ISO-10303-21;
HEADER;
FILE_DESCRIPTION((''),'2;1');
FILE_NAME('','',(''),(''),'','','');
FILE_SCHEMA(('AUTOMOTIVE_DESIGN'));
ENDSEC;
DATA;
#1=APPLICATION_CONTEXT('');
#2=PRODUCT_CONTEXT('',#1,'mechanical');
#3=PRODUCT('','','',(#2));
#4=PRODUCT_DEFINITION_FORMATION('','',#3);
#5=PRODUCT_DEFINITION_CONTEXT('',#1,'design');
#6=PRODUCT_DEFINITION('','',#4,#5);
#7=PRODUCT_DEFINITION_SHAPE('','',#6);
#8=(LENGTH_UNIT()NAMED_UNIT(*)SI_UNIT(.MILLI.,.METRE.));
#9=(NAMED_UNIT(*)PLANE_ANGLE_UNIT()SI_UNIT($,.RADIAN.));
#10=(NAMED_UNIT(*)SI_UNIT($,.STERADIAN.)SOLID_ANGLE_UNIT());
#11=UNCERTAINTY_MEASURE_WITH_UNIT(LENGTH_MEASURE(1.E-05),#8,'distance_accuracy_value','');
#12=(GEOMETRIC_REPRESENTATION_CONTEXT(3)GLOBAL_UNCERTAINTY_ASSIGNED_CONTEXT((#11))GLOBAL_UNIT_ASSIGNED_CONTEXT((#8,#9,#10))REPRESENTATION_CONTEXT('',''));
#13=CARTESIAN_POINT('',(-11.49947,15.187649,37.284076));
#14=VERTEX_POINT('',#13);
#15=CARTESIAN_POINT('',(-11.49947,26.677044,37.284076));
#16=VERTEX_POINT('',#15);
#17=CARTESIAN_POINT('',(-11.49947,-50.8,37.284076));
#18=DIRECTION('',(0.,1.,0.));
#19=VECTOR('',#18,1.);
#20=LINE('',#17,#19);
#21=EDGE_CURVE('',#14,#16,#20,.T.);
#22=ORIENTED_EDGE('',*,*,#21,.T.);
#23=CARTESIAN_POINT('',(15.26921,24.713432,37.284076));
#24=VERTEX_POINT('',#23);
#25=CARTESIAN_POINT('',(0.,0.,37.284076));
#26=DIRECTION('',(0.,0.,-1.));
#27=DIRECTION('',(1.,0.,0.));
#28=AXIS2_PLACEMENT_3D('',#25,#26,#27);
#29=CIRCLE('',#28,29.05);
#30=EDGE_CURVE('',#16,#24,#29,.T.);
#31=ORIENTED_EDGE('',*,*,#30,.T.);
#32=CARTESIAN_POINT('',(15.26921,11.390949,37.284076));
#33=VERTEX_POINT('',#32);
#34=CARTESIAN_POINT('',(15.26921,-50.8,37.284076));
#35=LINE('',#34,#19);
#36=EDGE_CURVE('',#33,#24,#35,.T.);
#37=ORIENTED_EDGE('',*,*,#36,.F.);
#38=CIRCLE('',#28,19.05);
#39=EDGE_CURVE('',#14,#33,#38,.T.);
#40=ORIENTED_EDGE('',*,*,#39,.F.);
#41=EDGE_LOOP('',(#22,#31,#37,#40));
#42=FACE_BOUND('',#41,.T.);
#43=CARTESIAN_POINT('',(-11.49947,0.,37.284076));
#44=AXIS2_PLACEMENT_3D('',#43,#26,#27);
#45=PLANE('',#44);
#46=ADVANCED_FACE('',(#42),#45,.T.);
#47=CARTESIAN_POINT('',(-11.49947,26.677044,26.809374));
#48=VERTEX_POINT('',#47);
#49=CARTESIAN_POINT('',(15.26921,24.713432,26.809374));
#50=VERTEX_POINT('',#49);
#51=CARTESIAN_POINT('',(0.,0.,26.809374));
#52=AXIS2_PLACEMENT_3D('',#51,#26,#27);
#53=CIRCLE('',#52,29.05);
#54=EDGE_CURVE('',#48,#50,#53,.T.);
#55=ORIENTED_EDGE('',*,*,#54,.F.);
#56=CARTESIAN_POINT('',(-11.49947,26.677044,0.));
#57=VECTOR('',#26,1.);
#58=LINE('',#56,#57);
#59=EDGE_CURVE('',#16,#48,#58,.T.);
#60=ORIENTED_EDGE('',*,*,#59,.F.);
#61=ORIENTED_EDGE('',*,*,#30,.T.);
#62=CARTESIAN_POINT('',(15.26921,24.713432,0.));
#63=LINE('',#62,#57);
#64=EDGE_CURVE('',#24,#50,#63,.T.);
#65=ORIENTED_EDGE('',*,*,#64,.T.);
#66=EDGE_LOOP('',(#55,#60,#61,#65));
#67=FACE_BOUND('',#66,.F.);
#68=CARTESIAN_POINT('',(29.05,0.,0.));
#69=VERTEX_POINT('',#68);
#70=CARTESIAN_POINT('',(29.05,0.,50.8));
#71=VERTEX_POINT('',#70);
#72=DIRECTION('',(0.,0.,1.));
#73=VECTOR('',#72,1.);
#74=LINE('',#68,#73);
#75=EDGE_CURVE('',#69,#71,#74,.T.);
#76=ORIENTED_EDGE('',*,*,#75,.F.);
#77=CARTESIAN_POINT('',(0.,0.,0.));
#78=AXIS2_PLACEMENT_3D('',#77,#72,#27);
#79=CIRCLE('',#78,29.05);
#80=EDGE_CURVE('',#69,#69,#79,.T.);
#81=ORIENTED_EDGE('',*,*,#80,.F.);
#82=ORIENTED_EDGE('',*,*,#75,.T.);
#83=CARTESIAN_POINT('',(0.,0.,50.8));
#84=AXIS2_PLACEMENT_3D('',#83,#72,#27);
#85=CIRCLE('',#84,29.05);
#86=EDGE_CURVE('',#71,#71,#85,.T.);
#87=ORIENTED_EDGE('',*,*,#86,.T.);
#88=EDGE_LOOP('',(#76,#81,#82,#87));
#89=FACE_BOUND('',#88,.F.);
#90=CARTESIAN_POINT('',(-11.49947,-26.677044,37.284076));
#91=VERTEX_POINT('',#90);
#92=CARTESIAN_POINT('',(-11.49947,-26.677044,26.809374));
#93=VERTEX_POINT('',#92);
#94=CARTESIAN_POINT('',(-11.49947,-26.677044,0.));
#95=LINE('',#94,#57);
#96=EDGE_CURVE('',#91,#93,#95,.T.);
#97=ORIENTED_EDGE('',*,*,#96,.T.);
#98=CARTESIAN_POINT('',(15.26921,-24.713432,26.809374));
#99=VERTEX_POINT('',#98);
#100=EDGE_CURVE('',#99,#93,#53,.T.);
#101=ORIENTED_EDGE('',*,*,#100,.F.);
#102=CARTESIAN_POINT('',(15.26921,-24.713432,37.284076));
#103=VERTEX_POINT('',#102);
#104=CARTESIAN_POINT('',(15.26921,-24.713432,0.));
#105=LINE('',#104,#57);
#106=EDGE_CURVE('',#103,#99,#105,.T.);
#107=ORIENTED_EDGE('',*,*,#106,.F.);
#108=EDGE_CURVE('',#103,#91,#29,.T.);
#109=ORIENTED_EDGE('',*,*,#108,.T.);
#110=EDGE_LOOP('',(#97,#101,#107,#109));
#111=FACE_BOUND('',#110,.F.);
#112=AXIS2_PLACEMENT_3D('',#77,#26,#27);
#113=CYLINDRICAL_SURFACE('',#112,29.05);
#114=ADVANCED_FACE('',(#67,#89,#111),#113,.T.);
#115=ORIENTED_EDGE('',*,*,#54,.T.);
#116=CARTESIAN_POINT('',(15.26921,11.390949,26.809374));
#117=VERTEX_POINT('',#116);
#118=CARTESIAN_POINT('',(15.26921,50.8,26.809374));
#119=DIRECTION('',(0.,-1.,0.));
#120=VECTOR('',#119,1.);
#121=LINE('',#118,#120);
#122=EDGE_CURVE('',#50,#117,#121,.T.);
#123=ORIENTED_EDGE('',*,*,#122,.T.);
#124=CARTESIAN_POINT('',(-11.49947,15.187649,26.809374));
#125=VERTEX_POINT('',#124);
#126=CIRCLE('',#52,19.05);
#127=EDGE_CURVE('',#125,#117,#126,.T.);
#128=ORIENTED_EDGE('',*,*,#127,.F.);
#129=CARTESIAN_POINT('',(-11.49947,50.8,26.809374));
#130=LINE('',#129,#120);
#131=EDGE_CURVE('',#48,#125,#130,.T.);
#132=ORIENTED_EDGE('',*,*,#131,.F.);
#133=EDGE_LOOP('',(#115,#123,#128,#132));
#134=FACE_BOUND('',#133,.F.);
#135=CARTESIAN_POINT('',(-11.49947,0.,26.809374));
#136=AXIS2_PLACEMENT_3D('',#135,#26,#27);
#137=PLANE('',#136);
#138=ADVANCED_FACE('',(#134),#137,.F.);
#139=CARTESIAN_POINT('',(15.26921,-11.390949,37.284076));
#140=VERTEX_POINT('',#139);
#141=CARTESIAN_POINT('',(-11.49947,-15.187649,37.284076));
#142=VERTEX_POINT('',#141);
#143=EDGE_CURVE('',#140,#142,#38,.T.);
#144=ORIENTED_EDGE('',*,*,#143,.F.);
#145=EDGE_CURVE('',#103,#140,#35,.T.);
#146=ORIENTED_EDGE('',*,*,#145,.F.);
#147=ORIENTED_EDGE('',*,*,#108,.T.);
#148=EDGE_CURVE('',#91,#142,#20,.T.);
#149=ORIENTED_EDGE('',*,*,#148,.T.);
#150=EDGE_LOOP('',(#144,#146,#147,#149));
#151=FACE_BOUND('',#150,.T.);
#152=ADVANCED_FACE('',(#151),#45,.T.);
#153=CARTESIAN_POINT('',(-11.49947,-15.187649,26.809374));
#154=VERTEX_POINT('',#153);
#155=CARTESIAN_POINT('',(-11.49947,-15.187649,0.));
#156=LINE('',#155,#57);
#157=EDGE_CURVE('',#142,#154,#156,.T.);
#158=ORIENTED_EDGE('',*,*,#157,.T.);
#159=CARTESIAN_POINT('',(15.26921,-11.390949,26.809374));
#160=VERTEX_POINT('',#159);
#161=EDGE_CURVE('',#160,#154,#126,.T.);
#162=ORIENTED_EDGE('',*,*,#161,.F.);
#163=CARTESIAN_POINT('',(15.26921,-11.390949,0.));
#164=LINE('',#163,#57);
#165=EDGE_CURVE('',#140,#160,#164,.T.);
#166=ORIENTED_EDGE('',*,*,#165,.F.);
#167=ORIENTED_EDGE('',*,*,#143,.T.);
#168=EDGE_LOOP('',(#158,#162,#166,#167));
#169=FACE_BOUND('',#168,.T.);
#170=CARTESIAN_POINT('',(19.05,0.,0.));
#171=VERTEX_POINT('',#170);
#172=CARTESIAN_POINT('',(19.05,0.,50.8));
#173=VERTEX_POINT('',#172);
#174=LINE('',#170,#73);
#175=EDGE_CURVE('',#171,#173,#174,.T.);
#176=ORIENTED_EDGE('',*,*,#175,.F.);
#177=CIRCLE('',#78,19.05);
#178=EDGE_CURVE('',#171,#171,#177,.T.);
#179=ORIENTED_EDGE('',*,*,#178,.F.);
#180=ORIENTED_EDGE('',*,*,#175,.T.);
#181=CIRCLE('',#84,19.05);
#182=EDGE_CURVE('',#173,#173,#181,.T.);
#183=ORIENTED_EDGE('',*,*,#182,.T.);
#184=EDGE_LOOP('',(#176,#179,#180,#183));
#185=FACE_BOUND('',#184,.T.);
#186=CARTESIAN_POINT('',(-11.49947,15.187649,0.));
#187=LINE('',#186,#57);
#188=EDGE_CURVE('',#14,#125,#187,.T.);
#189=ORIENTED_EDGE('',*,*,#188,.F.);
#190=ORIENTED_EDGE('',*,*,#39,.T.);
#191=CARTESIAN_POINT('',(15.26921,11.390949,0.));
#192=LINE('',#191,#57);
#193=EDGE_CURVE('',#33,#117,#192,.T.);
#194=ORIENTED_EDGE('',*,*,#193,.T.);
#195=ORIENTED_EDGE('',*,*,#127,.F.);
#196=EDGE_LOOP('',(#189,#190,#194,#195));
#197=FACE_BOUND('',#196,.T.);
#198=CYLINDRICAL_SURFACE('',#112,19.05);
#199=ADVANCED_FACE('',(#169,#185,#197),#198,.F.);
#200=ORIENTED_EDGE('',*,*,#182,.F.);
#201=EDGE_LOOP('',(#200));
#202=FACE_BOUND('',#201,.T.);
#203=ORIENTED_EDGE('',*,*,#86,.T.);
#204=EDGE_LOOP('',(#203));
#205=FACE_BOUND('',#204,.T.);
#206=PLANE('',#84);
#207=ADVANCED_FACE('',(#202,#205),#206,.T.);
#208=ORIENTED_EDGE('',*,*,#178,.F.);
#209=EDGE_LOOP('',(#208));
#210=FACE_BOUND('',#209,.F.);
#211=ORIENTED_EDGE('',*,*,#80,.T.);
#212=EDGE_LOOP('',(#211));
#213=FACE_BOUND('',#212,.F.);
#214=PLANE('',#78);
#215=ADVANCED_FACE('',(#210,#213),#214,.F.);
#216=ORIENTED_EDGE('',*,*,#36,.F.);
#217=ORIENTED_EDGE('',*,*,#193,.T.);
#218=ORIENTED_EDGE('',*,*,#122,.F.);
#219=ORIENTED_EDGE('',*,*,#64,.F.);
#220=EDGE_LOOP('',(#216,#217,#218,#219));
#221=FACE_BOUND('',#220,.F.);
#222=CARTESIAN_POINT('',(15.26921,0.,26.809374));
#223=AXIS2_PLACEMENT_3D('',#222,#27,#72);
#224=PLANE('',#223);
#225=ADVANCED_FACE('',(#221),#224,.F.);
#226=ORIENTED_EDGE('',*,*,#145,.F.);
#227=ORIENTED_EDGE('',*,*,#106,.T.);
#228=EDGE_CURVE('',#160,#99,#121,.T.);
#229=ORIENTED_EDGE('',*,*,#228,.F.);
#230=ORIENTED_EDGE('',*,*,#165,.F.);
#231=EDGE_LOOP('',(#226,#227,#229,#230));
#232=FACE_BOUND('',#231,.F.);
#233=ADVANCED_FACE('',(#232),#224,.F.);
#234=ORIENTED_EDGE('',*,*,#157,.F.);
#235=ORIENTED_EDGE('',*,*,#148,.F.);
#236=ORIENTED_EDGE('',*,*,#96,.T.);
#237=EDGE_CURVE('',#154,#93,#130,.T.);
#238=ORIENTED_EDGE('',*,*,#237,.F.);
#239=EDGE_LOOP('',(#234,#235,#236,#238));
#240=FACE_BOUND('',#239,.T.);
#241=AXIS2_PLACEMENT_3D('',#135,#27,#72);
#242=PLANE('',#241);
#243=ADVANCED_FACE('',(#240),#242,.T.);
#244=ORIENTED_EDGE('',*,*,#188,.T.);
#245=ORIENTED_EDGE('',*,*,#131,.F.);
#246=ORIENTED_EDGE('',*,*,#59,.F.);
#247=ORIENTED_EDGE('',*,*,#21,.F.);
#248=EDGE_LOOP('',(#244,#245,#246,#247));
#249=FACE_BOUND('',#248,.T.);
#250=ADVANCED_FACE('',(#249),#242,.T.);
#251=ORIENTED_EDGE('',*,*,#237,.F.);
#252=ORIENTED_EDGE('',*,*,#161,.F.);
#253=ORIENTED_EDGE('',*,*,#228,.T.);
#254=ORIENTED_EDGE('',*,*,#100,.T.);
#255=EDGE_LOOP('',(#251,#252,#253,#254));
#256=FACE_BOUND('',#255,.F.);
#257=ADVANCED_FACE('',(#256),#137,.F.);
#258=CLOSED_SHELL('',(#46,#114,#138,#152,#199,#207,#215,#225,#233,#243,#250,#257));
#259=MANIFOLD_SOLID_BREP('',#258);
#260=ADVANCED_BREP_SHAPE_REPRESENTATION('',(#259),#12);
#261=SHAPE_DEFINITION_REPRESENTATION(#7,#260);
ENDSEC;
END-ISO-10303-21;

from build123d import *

# Parameters (mm, degrees)
F0_R     = 29.05
F0_R_2   = 19.05
F1_DEPTH = 50.8
F2_W     = 26.768681
F2_H     = 10.474702
F3_DEPTH = 50.8


with BuildPart() as f1:
    # F0 (on Top) → F1 (new body)
    with BuildSketch(Plane.XY):
        Circle(F0_R)
        Circle(F0_R_2, mode=Mode.SUBTRACT)
    extrude(amount=F1_DEPTH)


with BuildPart() as f3:
    # F2 (on Front) → F3 (new body, symmetric)
    with BuildSketch(Plane.XZ):
        with Locations((1.88487, 32.046725)):
            Rectangle(F2_W, F2_H)
    extrude(amount=F3_DEPTH, both=True)


with BuildPart() as f1_1:
    add(f1.part)

    # F4: cut F3
    add(f3.part, mode=Mode.SUBTRACT)


solid = f1_1.part
